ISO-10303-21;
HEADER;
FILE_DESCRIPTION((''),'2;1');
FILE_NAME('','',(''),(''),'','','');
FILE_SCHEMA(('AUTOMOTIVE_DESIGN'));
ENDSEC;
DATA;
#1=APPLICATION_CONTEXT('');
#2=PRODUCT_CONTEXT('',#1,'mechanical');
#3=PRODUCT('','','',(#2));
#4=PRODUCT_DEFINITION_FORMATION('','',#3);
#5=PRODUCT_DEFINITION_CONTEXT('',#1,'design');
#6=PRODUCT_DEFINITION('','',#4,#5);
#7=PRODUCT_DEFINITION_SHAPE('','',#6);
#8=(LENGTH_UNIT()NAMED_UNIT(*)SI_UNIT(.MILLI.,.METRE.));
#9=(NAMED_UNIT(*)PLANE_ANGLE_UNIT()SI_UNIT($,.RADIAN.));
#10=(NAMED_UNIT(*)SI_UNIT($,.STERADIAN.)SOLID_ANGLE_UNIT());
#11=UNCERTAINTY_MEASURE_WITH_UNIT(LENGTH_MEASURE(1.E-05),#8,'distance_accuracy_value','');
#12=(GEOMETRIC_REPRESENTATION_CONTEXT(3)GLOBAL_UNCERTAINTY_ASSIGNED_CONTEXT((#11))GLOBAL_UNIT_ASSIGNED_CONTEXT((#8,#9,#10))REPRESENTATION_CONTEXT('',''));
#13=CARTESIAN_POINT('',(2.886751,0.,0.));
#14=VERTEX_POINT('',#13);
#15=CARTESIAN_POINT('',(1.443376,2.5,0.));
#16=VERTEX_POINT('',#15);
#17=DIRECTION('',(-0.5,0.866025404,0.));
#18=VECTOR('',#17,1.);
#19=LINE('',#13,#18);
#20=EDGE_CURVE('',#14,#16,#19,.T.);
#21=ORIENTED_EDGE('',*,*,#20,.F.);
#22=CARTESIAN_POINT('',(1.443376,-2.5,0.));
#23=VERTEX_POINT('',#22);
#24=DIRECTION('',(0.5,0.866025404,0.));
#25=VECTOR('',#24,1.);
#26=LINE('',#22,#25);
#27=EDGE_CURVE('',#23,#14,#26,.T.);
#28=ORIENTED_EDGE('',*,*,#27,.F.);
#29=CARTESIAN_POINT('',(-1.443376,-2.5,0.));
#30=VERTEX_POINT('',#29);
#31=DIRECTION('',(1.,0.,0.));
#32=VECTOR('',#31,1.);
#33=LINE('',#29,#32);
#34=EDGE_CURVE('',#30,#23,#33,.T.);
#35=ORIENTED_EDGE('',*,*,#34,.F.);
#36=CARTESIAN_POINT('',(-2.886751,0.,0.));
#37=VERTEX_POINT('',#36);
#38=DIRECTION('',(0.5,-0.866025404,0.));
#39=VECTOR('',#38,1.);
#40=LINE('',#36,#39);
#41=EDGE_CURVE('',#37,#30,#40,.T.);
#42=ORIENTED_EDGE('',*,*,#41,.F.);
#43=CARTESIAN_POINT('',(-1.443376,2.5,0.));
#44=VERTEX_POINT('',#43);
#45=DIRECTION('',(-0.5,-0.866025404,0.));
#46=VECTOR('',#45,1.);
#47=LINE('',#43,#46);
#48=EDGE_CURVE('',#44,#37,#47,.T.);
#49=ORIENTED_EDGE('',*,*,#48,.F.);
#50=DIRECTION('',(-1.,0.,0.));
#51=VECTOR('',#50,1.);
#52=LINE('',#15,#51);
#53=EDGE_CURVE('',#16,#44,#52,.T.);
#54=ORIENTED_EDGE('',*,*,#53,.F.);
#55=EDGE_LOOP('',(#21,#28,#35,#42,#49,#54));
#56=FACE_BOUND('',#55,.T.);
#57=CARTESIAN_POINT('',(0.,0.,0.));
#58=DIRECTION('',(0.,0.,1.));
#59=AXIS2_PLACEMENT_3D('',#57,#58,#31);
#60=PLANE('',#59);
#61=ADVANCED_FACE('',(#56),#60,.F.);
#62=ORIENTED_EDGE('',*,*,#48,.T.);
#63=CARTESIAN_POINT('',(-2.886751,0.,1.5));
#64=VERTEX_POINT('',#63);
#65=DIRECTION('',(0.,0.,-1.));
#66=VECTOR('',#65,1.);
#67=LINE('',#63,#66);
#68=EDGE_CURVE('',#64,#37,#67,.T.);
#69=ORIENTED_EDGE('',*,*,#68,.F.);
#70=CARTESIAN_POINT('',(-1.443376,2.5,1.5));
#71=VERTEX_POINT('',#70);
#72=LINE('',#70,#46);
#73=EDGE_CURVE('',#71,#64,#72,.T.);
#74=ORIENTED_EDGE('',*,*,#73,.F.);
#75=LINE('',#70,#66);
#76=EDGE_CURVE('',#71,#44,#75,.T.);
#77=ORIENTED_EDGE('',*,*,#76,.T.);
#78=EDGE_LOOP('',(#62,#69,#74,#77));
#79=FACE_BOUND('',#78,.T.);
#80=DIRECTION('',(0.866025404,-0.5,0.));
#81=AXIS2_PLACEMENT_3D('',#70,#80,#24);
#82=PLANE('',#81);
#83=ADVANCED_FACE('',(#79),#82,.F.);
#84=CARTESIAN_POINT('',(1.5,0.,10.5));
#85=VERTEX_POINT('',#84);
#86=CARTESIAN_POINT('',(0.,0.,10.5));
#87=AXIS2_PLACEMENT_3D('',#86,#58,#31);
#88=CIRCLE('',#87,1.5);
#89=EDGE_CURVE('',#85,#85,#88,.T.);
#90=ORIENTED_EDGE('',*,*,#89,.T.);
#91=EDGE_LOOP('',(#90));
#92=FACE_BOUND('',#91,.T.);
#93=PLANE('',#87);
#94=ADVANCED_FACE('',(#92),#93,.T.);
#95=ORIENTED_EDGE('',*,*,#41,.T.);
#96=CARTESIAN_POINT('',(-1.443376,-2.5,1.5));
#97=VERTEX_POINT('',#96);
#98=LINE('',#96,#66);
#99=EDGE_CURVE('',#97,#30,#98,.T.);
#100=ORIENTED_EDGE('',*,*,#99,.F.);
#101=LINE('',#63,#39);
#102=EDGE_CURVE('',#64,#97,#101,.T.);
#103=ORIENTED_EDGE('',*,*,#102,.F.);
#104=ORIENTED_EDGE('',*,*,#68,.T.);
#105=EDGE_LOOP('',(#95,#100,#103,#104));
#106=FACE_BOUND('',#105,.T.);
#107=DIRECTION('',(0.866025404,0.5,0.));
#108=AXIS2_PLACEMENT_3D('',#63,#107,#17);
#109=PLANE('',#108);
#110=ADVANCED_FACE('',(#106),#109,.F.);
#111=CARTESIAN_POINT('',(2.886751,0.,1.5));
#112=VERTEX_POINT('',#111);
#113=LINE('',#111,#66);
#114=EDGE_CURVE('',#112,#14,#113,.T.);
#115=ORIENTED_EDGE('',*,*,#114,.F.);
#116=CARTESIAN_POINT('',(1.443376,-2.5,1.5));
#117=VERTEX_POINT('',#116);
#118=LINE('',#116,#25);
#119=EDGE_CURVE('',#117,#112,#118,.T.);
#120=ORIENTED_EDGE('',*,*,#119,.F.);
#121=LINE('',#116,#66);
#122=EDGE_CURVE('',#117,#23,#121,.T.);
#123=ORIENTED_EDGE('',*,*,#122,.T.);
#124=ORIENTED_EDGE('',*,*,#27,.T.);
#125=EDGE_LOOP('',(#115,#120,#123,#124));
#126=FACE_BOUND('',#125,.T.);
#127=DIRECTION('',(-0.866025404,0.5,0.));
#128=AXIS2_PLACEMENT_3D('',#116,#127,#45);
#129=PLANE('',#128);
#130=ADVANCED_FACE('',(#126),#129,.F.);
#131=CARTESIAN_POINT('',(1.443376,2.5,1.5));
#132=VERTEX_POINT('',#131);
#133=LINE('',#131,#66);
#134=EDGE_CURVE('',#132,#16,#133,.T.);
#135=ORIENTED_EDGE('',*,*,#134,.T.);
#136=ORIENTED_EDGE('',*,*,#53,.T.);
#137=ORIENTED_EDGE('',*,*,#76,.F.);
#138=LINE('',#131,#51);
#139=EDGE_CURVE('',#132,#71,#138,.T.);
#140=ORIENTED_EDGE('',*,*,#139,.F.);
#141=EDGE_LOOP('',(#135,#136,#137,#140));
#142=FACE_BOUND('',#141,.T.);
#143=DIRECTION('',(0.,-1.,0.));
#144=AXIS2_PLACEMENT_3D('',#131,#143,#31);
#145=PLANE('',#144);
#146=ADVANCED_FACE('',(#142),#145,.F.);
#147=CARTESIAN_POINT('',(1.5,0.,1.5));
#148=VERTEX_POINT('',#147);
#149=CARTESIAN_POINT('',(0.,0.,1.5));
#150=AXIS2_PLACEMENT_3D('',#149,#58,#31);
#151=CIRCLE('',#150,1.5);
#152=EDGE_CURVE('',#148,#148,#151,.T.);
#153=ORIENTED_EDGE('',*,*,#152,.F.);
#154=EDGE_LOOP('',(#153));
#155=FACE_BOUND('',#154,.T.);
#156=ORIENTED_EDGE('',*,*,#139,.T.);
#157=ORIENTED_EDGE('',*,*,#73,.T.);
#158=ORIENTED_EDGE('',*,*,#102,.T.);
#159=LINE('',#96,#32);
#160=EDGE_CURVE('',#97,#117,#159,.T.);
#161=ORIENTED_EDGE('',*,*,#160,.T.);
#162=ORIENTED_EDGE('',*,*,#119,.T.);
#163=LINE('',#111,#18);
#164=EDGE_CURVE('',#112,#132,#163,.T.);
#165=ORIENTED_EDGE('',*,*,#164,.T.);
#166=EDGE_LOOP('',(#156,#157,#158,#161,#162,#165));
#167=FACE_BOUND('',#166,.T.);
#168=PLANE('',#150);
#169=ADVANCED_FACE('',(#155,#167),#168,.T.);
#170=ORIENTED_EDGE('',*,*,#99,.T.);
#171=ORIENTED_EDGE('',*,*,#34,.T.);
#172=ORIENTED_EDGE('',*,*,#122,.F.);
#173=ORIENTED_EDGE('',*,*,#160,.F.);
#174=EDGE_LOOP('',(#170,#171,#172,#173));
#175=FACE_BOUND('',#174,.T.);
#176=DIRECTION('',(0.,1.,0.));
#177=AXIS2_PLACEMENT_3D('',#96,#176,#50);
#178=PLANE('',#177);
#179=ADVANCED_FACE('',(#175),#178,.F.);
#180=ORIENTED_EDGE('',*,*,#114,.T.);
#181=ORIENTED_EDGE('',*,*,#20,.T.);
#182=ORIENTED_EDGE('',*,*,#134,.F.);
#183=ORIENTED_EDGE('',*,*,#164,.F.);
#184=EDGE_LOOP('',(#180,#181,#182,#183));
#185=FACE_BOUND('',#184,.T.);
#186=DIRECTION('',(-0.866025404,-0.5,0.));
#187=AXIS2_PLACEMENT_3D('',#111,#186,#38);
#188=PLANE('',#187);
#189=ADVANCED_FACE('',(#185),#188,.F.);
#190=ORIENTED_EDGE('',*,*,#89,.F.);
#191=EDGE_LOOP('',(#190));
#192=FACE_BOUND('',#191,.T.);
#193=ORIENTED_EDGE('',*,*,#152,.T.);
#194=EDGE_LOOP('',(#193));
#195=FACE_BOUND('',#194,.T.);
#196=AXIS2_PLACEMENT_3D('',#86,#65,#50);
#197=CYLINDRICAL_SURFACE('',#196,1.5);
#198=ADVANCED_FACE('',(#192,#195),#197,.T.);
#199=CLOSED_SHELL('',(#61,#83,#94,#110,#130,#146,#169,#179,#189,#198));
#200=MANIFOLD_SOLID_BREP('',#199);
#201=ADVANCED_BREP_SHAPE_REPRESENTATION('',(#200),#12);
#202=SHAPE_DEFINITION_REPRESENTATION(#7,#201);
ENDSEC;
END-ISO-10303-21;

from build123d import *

# Parameters (mm, degrees)
BOSS_EXTRUDE1_DEPTH = 1.5
SKETCH3_R           = 1.5
BOSS_EXTRUDE2_DEPTH = 9


with BuildPart() as part:
    # Sketch2 → Boss-Extrude1 (new body)
    with BuildSketch(Plane.XY):
        Polygon((2.886751346, 0), (1.443375673, 2.5), (-1.443375673, 2.5), (-2.886751346, 0), (-1.443375673, -2.5), (1.443375673, -2.5), align=None)
    extrude(amount=BOSS_EXTRUDE1_DEPTH)

    # Sketch3 → Boss-Extrude2 (add)
    with BuildSketch(Plane.XY.offset(1.5)):
        Circle(SKETCH3_R)
    extrude(amount=BOSS_EXTRUDE2_DEPTH)


solid = part.part
